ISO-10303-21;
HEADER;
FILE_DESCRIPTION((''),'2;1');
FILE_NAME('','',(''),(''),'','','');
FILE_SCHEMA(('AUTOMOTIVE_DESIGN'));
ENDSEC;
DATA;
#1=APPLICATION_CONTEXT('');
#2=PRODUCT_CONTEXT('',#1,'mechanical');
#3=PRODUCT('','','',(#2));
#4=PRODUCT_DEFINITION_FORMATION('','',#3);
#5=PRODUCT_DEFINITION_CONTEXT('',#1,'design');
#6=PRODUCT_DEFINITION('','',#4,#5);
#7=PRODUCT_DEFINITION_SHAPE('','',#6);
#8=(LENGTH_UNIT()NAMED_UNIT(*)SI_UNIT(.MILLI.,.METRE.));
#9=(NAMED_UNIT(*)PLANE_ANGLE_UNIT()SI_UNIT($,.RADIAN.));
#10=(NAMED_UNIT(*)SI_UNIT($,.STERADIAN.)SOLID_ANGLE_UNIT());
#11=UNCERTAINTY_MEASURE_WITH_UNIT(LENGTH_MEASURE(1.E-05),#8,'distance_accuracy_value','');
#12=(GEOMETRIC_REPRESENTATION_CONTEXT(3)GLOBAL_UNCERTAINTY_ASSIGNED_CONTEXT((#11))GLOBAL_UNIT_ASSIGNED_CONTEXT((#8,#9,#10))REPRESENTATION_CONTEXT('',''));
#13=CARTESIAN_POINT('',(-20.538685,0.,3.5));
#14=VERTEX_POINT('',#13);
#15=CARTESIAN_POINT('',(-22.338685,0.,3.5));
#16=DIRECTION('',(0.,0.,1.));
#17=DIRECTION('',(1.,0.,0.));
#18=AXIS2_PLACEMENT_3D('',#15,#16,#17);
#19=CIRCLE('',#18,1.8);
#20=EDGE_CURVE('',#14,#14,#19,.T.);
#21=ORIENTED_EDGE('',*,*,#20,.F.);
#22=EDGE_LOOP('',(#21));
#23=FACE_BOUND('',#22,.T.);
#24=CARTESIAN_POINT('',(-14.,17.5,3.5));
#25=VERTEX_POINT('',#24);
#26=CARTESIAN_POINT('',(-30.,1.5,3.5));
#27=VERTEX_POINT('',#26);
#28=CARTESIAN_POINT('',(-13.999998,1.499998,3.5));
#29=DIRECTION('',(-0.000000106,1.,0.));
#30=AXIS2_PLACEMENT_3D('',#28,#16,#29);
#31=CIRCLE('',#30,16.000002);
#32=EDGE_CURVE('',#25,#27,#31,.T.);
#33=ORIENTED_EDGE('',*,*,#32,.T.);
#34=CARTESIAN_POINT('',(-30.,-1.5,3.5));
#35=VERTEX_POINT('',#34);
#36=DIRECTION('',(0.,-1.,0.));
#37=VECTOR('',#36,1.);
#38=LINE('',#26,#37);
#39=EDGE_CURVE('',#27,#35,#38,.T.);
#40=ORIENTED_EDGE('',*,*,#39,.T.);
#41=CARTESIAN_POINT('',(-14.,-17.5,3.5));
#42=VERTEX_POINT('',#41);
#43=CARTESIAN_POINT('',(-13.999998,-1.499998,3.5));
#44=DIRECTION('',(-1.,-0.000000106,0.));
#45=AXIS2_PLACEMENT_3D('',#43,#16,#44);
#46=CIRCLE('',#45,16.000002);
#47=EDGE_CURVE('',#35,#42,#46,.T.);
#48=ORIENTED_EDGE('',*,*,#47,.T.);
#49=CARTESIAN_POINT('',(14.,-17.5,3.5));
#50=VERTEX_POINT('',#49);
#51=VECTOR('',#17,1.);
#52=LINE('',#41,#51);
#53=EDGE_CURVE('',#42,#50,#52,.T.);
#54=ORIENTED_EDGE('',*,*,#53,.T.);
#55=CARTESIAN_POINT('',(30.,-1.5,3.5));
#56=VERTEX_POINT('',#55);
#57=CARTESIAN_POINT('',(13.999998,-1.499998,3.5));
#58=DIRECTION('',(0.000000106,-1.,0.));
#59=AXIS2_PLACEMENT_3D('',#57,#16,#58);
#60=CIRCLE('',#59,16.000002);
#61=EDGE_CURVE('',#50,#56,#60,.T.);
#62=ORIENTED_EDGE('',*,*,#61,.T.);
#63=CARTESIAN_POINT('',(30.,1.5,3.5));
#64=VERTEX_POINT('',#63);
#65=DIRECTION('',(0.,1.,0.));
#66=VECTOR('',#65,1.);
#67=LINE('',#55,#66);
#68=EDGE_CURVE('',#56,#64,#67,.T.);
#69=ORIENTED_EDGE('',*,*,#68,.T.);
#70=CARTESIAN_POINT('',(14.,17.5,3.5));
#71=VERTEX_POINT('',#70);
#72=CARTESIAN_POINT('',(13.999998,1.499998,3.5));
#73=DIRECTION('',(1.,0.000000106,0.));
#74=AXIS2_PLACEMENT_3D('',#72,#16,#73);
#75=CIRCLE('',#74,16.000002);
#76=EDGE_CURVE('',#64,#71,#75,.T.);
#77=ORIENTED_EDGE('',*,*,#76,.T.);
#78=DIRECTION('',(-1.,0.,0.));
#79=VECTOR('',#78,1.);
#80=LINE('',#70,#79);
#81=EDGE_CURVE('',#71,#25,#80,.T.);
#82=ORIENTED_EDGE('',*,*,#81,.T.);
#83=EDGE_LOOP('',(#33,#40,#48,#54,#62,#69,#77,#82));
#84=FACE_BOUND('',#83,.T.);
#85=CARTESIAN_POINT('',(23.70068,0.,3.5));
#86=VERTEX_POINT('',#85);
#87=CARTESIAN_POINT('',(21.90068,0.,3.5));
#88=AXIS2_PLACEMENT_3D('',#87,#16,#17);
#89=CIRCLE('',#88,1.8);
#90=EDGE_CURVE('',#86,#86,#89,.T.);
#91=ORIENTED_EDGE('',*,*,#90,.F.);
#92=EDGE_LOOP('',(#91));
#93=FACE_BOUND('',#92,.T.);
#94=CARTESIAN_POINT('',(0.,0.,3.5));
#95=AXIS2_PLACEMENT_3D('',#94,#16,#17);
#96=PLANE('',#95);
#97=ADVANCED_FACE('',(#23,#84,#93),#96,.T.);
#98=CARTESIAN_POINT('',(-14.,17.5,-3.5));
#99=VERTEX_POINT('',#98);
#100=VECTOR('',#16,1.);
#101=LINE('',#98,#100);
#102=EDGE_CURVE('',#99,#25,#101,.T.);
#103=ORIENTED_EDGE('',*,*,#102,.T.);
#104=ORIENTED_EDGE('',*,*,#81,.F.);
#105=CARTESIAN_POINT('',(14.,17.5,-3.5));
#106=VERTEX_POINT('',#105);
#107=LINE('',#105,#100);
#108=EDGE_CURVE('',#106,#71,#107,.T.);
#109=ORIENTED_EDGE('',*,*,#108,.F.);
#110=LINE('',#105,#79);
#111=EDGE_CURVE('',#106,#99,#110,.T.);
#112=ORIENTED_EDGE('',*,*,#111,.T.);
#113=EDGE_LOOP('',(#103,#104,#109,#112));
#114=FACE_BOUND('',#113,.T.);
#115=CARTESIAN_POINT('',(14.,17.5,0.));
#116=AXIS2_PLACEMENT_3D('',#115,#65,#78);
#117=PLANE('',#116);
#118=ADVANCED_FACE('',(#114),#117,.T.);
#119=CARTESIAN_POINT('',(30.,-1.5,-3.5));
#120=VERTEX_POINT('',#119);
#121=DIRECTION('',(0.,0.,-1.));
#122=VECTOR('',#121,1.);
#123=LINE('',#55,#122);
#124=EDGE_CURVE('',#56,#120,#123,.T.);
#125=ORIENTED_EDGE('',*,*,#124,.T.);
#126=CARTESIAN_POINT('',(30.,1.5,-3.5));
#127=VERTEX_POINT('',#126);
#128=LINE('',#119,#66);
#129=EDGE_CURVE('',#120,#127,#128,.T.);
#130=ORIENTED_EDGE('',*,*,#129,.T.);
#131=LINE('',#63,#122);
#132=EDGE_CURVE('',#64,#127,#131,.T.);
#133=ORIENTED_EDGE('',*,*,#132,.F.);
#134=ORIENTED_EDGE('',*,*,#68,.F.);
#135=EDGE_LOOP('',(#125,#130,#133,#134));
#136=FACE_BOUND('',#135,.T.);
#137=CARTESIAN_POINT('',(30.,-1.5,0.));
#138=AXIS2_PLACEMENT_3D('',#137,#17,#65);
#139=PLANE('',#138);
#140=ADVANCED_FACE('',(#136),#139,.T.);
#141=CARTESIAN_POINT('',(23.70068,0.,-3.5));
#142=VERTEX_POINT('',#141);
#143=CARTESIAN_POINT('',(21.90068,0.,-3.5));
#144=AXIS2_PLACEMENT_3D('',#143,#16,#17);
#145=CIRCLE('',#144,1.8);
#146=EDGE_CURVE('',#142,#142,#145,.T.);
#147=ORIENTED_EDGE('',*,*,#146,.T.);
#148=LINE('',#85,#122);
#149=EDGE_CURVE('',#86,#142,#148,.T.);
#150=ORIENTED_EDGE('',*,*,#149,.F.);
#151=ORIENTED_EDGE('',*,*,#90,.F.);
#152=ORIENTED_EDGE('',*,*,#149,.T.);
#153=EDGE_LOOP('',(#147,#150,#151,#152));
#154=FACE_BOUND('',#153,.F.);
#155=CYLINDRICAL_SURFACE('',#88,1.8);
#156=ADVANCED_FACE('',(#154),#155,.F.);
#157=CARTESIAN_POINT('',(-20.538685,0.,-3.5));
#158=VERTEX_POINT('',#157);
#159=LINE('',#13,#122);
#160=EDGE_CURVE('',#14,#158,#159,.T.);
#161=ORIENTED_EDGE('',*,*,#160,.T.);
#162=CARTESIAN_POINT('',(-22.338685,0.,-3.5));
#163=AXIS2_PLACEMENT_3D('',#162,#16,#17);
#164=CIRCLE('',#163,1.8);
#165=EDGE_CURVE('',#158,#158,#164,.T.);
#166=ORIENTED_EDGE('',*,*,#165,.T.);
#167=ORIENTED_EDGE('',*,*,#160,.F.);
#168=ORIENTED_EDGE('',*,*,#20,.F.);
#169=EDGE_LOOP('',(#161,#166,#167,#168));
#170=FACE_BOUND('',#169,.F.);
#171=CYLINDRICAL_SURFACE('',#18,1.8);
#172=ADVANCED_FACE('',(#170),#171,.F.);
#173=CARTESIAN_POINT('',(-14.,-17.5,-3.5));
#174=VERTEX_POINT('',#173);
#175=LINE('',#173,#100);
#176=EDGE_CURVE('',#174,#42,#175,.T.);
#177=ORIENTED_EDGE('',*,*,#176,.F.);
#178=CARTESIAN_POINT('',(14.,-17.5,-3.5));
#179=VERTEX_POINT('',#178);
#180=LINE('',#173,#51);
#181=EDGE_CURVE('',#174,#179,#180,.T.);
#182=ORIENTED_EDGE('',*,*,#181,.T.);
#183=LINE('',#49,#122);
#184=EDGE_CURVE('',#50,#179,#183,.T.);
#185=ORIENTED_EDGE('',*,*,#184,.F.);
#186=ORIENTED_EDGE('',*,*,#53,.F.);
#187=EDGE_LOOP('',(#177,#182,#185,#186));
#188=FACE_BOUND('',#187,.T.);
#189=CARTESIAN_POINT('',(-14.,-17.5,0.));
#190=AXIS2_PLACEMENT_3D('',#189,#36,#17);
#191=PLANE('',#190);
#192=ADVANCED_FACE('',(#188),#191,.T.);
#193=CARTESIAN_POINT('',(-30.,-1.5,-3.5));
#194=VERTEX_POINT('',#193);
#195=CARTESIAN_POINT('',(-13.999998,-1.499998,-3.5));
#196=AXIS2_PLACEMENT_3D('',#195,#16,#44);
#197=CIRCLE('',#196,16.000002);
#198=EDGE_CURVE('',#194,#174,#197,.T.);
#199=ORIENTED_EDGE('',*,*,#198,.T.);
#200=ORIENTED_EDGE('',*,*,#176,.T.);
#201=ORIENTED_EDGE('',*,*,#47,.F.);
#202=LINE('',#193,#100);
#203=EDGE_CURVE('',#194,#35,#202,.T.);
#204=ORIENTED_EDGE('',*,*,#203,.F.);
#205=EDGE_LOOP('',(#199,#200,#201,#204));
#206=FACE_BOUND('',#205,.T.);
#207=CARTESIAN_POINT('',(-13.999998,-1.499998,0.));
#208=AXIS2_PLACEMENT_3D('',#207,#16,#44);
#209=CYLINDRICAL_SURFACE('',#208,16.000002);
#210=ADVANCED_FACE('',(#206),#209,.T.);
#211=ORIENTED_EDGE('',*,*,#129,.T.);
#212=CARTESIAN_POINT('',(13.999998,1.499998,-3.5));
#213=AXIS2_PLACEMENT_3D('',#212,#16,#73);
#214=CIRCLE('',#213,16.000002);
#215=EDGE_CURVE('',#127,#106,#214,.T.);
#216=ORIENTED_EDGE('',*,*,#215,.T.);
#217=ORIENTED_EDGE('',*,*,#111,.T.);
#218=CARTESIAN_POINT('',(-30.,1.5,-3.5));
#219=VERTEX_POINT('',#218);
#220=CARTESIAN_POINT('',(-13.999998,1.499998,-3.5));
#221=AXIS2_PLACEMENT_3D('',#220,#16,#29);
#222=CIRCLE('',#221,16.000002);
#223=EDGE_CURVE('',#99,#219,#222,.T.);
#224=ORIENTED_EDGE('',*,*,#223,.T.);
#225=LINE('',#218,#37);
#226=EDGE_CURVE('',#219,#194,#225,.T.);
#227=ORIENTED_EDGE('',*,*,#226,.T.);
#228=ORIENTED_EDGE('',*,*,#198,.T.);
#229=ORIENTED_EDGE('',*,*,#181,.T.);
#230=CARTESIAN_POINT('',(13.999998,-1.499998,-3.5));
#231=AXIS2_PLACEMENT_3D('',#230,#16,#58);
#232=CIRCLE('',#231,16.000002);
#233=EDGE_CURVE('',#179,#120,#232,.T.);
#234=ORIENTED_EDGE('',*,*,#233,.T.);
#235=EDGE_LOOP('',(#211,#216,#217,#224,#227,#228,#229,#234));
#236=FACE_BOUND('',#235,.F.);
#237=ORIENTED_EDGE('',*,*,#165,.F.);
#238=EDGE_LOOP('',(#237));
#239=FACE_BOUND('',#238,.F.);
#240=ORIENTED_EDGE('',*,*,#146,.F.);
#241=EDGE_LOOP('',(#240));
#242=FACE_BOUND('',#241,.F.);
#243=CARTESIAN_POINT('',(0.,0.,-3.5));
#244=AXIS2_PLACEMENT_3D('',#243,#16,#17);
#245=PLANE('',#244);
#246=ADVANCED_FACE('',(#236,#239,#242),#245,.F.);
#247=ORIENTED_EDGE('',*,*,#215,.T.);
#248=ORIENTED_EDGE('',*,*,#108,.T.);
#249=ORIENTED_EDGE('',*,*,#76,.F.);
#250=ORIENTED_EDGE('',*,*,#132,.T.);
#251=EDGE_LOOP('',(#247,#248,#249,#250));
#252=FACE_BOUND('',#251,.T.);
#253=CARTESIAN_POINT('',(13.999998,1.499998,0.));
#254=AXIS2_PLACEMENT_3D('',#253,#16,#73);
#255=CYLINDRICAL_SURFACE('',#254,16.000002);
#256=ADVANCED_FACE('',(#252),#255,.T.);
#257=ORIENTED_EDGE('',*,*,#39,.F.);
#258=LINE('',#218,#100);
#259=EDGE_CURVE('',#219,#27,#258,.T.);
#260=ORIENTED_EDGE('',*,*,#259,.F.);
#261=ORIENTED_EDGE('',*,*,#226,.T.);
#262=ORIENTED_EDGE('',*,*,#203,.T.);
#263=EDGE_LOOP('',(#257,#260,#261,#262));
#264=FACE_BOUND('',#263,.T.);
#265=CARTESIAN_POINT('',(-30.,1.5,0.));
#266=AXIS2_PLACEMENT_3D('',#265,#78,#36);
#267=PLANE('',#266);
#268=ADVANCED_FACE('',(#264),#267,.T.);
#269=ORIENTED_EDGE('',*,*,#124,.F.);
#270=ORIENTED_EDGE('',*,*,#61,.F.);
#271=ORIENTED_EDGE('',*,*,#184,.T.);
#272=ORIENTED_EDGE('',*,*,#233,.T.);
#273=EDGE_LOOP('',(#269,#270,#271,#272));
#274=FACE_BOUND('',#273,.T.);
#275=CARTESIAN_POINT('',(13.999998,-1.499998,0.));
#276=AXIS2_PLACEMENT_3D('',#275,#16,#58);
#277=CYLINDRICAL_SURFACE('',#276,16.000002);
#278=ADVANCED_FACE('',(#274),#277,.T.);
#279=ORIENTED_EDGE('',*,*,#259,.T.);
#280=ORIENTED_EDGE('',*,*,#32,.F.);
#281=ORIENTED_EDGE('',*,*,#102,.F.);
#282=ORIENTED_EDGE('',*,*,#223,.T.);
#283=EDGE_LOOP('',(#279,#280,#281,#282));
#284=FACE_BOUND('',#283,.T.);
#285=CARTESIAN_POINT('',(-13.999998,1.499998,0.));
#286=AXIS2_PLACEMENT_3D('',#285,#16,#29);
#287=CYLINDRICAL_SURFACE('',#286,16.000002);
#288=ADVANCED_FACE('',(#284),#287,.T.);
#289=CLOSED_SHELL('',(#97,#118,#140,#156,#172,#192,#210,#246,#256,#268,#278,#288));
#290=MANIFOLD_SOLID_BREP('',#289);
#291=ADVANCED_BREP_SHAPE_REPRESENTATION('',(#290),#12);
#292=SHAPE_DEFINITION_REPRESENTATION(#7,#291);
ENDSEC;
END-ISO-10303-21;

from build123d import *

# Parameters (mm, degrees)
F1_DEPTH = 3.5
F2_R     = 1.8
F3_DEPTH = 8
F4_R     = 1.8
F5_DEPTH = 8


with BuildPart() as f1:
    # F0 (on Top) → F1 (new body, symmetric)
    with BuildSketch(Plane.XY):
        with BuildLine():
            ThreePointArc((30, 1.5), (25.313708, 12.813708), (14, 17.5))
            Line((14, 17.5), (-14, 17.5))
            ThreePointArc((-14, 17.5), (-25.313708, 12.813708), (-30, 1.5))
            Line((-30, 1.5), (-30, -1.5))
            ThreePointArc((-30, -1.5), (-25.313708, -12.813708), (-14, -17.5))
            Line((-14, -17.5), (14, -17.5))
            ThreePointArc((14, -17.5), (25.313708, -12.813708), (30, -1.5))
            Line((30, -1.5), (30, 1.5))
        make_face()
    extrude(amount=F1_DEPTH, both=True)

    # F2 (on face) → F3 (cut)
    with BuildSketch(Plane.XY.offset(3.5)):
        with Locations((-22.338685, 0)):
            Circle(F2_R)
    extrude(amount=-F3_DEPTH, mode=Mode.SUBTRACT)

    # F4 (on face) → F5 (cut)
    with BuildSketch(Plane.XY.offset(3.5)):
        with Locations((21.90068, 0)):
            Circle(F4_R)
    extrude(amount=-F5_DEPTH, mode=Mode.SUBTRACT)


solid = f1.part
